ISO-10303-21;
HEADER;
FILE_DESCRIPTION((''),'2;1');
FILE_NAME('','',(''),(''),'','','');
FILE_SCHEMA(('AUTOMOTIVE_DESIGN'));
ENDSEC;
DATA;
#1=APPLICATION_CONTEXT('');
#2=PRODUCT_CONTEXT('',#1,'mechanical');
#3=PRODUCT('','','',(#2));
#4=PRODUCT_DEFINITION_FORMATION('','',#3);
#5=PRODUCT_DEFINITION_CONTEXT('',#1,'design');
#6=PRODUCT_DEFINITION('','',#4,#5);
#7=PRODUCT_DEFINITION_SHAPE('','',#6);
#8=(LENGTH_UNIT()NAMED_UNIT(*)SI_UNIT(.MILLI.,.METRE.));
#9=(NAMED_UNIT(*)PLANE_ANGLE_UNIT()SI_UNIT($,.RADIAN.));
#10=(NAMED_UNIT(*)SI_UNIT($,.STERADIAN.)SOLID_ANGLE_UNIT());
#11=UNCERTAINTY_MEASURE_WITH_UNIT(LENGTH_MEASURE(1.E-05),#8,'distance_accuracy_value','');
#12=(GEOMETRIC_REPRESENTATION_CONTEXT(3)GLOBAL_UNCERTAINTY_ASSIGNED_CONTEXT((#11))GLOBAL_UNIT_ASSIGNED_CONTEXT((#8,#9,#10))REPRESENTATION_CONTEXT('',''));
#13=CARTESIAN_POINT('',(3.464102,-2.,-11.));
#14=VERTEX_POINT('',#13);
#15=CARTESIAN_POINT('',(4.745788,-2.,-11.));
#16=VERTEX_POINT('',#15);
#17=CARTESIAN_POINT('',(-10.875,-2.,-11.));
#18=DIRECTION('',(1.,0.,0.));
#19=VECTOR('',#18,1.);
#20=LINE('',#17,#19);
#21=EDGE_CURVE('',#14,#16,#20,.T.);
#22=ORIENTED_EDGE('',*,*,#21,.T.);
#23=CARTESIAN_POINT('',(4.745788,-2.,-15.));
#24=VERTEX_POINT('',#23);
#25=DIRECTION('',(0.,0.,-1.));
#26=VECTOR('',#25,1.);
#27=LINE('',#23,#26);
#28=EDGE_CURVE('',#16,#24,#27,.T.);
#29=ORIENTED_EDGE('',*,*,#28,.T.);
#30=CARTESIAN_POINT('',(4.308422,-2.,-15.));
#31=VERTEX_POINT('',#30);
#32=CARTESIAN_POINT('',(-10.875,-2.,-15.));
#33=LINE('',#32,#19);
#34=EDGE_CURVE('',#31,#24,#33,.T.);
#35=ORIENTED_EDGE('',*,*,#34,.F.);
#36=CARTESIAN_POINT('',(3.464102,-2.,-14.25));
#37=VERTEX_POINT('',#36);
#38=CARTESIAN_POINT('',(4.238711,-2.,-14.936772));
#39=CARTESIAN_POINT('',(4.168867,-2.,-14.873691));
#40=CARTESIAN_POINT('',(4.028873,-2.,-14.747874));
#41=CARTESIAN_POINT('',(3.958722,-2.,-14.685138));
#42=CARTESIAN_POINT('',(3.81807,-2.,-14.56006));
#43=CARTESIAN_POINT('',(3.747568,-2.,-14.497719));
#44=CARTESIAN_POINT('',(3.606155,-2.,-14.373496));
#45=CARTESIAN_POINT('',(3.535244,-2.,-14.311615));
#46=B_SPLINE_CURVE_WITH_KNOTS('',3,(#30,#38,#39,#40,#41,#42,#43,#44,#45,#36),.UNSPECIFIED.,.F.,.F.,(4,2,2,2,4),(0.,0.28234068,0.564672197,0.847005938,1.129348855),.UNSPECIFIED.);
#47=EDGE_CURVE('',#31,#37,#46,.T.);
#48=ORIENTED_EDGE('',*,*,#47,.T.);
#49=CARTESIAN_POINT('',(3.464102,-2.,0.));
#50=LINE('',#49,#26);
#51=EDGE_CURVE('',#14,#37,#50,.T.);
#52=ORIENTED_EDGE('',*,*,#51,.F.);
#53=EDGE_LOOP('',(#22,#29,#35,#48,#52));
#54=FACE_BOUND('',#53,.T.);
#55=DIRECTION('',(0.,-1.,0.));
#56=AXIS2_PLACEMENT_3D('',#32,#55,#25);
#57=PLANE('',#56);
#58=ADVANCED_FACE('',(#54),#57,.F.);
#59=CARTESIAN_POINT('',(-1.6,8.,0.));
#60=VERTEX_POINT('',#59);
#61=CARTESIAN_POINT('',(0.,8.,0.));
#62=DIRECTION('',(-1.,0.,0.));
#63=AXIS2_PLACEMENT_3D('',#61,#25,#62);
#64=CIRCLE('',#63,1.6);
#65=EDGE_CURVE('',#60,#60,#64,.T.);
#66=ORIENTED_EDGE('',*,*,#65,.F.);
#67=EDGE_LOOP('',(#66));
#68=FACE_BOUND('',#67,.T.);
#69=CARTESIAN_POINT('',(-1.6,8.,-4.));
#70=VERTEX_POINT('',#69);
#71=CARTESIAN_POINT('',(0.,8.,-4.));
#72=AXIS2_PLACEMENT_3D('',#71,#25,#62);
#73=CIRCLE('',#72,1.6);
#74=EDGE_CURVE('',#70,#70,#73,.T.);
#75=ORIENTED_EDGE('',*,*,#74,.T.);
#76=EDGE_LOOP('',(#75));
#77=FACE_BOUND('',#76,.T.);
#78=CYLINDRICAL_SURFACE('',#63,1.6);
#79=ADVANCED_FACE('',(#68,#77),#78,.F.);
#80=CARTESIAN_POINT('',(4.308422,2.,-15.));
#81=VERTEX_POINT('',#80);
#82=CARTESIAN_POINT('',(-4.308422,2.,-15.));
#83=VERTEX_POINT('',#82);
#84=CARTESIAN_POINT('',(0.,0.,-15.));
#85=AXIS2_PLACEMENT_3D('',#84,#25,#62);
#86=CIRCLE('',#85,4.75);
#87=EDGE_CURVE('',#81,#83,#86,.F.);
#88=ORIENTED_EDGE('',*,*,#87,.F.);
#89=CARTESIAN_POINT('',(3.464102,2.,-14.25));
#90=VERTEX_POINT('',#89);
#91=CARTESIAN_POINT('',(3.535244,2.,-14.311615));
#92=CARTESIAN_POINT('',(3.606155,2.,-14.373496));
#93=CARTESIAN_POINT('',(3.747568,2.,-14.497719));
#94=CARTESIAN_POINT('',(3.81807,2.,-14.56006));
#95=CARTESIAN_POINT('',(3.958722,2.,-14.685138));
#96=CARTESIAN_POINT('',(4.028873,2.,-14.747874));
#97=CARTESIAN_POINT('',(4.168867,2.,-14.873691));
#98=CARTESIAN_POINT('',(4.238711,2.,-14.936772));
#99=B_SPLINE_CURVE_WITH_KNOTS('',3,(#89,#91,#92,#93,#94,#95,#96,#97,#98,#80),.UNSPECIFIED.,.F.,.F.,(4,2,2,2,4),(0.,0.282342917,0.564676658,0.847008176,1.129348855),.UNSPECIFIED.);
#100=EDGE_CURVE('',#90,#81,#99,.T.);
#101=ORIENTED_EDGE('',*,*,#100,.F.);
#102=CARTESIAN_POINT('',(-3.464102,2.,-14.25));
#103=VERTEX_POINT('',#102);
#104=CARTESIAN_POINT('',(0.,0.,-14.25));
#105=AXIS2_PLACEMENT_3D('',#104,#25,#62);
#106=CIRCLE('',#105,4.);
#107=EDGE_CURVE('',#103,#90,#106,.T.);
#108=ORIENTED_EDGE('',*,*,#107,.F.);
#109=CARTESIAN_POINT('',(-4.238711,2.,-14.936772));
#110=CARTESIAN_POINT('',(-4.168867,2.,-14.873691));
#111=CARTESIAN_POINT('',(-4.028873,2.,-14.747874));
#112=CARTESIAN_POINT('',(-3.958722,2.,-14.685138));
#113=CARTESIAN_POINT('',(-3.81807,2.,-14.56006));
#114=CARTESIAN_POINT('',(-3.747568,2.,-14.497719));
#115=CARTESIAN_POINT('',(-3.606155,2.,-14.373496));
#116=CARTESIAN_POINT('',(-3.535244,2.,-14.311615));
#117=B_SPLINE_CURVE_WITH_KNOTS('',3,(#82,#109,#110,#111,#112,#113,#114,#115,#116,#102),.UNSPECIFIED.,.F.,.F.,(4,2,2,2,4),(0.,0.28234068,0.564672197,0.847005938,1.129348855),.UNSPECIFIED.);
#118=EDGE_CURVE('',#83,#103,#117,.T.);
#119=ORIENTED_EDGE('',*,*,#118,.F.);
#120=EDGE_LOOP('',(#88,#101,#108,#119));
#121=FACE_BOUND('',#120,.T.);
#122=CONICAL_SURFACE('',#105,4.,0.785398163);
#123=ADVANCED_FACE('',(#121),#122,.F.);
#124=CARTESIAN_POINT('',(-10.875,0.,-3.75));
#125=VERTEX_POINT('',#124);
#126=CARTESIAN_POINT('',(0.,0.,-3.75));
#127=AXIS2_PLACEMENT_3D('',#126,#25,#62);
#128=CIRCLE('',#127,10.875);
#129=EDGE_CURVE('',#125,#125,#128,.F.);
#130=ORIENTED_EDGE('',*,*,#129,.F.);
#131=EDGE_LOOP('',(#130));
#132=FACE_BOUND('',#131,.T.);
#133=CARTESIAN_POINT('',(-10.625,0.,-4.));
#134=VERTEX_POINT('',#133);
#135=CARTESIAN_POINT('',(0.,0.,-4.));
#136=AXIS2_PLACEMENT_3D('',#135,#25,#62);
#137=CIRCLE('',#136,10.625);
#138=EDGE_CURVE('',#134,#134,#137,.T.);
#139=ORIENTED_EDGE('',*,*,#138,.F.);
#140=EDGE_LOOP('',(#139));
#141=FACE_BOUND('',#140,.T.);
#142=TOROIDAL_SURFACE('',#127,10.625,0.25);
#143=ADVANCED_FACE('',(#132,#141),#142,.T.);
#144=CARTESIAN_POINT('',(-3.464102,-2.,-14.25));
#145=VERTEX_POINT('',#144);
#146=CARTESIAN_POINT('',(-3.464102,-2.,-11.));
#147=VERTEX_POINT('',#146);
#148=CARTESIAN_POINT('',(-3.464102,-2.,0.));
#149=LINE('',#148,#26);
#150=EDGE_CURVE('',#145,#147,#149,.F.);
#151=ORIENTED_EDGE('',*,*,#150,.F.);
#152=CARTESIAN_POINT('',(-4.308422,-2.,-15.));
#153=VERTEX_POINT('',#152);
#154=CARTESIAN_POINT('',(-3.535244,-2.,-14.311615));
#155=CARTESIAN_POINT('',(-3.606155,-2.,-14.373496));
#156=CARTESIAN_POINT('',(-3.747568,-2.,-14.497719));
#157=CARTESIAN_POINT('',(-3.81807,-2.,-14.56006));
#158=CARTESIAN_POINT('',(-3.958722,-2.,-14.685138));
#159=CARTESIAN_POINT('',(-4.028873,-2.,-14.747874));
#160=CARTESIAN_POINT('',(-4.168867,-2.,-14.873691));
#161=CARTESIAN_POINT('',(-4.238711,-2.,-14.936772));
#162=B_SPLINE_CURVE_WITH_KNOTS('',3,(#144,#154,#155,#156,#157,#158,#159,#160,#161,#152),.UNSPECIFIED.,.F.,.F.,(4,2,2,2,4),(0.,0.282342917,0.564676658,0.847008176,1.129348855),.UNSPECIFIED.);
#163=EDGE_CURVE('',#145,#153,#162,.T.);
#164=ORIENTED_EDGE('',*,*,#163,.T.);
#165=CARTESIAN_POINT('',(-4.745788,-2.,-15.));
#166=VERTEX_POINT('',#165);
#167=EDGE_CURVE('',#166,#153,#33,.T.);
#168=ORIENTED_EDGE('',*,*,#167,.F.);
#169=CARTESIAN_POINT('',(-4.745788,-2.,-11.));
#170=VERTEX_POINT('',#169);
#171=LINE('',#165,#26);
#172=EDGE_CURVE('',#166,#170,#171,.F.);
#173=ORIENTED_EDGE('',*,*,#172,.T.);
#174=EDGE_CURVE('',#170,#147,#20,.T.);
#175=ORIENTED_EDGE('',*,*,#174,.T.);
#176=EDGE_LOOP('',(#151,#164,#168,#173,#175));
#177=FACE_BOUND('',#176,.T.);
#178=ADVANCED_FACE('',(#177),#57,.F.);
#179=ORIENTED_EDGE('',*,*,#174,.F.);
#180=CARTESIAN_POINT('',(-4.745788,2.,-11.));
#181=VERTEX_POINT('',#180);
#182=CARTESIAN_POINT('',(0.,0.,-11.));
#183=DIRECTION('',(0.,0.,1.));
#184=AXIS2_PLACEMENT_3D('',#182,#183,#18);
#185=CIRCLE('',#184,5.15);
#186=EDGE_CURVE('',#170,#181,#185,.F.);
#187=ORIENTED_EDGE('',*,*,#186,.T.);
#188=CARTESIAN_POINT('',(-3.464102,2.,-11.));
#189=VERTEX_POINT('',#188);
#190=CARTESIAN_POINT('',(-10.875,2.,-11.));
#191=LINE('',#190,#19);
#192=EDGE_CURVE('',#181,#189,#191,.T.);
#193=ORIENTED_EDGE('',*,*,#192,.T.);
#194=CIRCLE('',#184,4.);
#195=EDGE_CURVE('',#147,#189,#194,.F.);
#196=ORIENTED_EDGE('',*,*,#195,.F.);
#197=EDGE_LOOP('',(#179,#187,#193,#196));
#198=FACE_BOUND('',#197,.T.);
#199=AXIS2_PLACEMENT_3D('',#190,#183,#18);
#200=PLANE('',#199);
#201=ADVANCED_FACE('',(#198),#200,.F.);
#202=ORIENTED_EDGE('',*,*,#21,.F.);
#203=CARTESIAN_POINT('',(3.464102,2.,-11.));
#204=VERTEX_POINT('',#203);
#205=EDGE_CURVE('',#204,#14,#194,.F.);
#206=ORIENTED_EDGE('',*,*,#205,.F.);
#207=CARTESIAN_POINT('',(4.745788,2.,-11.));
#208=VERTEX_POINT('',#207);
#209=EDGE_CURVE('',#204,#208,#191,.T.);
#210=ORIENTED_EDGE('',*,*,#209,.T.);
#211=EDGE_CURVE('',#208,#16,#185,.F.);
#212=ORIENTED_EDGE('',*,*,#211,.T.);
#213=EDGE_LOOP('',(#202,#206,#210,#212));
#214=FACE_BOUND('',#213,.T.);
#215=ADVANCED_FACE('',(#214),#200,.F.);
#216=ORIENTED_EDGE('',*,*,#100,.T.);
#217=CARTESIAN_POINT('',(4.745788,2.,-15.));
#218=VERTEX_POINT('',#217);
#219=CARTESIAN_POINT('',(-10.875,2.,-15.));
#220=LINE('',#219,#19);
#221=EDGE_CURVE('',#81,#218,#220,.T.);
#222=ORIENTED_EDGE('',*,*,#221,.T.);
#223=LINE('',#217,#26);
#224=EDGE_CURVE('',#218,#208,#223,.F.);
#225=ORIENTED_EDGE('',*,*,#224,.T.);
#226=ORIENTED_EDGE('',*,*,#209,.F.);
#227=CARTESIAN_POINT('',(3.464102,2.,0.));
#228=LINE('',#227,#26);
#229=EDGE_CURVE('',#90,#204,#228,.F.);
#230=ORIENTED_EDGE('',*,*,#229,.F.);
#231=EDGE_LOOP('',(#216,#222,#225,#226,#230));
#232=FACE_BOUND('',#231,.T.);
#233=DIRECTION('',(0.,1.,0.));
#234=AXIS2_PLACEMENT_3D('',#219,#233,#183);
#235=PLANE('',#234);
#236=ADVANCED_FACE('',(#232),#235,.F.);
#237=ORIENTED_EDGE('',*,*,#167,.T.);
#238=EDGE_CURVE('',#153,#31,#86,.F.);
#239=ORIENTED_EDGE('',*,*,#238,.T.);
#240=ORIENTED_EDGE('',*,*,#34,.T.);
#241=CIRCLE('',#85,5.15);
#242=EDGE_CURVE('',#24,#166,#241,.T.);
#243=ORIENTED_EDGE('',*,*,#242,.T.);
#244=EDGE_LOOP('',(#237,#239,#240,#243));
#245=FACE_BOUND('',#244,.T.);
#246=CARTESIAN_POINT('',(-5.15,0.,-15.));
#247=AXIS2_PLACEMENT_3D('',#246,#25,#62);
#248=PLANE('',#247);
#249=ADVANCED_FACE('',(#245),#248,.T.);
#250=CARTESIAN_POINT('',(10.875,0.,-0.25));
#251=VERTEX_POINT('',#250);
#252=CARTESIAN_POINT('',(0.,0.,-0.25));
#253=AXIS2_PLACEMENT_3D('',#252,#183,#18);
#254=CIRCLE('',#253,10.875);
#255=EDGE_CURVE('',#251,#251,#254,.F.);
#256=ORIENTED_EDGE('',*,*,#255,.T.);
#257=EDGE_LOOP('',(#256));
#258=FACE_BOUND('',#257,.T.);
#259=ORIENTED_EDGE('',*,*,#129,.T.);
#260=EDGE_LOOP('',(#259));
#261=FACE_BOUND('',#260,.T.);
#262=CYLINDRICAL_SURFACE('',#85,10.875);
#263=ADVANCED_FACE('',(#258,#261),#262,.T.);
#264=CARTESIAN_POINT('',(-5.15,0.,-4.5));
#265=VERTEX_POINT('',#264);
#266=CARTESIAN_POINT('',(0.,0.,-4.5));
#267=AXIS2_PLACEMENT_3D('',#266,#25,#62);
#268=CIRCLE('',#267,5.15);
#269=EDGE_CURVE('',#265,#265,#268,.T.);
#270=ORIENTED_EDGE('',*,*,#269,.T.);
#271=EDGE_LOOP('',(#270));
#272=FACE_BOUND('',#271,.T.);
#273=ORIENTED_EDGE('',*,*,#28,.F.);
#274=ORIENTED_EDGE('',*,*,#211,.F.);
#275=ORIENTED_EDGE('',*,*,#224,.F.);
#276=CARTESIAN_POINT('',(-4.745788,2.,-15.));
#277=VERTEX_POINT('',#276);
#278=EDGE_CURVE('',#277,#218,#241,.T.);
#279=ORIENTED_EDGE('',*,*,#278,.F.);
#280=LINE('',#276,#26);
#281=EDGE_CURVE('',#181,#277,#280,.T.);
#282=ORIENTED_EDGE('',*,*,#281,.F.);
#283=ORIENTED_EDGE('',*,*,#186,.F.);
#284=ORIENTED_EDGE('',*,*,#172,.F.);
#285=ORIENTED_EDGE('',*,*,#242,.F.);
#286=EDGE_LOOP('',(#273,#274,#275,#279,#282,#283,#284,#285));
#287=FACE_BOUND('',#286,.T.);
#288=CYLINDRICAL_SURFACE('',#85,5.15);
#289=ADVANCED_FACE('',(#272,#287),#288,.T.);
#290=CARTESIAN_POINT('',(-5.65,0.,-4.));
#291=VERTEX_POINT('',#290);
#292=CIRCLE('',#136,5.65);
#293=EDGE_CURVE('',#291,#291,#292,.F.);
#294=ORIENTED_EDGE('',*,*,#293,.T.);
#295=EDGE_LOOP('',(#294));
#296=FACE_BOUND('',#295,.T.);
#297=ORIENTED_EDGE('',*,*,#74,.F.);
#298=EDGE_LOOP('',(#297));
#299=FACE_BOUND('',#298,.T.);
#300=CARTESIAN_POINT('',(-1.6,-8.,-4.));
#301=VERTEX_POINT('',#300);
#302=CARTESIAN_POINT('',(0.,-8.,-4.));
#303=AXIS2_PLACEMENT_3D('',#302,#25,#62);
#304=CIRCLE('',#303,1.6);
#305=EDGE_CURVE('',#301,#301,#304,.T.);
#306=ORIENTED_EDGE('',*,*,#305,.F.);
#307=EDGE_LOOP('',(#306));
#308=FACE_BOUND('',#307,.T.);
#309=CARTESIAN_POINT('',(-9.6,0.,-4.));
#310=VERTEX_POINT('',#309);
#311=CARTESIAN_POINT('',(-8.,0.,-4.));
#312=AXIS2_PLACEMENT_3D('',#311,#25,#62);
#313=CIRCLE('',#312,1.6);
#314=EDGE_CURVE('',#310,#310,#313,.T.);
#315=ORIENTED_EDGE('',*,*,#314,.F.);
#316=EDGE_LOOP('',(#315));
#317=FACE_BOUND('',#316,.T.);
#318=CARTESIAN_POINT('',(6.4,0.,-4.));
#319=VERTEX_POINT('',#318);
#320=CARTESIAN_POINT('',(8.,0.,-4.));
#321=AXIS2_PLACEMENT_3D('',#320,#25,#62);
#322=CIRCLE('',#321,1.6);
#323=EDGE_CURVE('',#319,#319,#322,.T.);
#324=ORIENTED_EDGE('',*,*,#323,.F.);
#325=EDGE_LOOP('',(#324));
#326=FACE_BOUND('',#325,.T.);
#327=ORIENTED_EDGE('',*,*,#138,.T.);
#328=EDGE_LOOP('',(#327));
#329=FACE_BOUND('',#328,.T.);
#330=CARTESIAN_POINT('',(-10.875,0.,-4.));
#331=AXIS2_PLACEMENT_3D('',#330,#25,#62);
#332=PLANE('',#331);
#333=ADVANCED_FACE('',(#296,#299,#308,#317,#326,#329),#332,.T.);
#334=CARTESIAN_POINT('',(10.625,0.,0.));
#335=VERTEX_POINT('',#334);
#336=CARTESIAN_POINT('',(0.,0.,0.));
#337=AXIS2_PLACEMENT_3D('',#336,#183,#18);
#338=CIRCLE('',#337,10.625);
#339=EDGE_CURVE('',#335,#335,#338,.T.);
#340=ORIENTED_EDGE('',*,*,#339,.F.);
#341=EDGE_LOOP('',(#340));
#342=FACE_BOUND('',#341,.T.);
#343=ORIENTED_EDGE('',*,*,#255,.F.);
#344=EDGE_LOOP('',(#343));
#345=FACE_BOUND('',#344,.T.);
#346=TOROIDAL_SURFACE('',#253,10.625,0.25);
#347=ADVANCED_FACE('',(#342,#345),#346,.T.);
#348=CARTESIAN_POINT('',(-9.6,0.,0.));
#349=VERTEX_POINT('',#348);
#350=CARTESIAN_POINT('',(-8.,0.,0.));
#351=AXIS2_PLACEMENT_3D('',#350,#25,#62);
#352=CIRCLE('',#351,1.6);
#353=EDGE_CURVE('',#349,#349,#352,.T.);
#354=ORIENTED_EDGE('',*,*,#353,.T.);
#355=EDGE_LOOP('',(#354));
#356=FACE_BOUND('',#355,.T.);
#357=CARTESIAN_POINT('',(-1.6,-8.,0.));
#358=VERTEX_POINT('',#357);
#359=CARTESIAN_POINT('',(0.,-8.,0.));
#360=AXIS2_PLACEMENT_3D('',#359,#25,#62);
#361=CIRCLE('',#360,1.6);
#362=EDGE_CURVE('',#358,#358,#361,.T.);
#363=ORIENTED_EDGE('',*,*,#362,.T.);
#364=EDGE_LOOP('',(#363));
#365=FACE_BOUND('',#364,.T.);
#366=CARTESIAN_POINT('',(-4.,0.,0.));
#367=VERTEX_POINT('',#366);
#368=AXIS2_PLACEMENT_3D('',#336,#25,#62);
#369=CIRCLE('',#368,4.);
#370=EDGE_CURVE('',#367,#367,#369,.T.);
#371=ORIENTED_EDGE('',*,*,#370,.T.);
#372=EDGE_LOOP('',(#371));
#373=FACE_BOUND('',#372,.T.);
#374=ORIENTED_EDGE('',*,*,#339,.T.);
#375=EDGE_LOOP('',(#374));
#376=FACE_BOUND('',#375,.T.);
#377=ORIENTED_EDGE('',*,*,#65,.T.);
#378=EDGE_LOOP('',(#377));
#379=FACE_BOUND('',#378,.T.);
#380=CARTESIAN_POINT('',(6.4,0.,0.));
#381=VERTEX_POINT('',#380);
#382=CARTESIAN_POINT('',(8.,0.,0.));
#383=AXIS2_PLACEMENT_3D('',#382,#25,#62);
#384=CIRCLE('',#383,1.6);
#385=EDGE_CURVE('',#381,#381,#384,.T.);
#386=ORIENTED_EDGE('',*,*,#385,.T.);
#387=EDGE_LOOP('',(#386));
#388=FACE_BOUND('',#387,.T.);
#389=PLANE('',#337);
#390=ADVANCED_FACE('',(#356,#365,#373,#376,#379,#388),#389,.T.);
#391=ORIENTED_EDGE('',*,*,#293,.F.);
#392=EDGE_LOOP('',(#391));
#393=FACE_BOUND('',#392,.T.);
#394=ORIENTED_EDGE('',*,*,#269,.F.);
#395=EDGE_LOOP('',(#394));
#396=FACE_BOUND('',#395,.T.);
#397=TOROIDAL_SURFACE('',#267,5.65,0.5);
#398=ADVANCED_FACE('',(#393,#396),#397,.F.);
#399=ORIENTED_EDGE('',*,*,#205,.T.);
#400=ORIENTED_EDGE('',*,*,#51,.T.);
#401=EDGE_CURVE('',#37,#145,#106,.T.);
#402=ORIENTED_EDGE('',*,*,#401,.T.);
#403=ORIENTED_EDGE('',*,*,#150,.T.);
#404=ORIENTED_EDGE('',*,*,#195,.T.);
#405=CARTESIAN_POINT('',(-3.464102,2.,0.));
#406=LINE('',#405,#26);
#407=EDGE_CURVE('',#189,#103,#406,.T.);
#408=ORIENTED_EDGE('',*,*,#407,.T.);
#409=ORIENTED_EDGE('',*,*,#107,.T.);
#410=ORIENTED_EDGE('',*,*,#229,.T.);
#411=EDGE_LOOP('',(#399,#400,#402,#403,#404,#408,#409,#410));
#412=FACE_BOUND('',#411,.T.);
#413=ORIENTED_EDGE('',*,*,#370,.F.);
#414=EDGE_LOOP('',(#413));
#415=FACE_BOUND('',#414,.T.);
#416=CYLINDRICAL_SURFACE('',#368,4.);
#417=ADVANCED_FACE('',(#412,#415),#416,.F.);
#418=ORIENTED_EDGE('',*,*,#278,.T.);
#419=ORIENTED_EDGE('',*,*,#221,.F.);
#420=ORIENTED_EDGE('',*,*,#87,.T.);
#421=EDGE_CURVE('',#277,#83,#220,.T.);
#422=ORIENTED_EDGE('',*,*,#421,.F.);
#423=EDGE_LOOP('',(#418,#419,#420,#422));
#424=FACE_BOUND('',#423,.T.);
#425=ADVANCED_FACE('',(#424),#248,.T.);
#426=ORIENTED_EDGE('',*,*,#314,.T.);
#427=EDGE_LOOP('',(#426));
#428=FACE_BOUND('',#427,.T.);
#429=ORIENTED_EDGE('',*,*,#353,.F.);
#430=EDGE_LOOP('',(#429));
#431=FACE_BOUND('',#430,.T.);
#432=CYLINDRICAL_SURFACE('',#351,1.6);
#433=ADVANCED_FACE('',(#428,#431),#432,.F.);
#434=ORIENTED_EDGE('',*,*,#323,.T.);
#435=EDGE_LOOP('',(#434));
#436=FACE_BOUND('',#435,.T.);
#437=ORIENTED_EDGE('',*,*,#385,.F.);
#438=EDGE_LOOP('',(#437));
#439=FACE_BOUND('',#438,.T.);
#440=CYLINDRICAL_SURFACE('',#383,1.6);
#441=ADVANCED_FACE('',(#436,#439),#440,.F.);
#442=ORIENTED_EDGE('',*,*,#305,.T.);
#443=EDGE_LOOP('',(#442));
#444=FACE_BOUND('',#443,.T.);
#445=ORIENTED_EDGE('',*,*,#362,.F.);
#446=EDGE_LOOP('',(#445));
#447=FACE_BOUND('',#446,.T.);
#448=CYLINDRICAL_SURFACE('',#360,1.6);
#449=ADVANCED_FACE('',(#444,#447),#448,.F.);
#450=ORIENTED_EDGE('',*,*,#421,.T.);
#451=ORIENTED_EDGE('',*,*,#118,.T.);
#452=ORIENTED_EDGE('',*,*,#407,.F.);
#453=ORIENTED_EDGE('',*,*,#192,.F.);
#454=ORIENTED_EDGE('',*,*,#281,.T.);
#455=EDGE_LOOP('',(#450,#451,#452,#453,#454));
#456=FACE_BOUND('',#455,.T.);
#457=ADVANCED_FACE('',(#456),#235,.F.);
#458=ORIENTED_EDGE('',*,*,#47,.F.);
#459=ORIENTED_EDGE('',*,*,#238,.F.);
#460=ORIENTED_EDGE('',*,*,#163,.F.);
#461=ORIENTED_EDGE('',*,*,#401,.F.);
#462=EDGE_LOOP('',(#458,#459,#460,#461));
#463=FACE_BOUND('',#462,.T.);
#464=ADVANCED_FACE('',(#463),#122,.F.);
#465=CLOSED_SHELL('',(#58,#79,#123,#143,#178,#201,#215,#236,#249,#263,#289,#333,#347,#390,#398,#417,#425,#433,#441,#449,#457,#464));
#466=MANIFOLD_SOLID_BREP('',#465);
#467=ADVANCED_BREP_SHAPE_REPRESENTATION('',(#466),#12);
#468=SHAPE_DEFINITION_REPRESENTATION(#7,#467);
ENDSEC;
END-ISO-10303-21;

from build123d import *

# Parameters (mm, degrees)
SKETCH2_R          = 4
CUT_EXTRUDE1_DEPTH = 22.483278381
SKETCH3_R          = 1.6
CUT_EXTRUDE2_DEPTH = 19.908496767
SKETCH4_W          = 4
SKETCH4_H          = 4
CUT_EXTRUDE3_DEPTH = 25.496249713
CHAMFER1_SIZE      = 0.75
CHAMFER2_SIZE      = 0.75
FILLET1_R          = 0.5
FILLET2_R          = 0.25


with BuildPart() as part:
    # Sketch1 → Revolve1 (revolve)
    with BuildSketch(Plane(origin=(0, 0, 0), x_dir=(1, 0, 0), z_dir=(0, 1, 0))):
        Polygon((0, 0), (-10.875, 0), (-10.875, 4), (-5.15, 4), (-5.15, 15), (0, 15), align=None)
    revolve(axis=Axis((0, 0, -15), (0, 0, 1)))

    # Sketch2 → Cut-Extrude1 (cut, through all)
    with BuildSketch(Plane(origin=(0, 0, -15), x_dir=(-1, 0, 0), z_dir=(0, 0, -1))):
        Circle(SKETCH2_R)
    extrude(amount=-CUT_EXTRUDE1_DEPTH, mode=Mode.SUBTRACT)

    # Sketch3 → Cut-Extrude2 (cut, through all)
    with BuildSketch(Plane(origin=(0, 0, -4), x_dir=(-1, 0, 0), z_dir=(0, 0, -1))):
        with Locations((0, 8)):
            Circle(SKETCH3_R)
        with Locations((8, 0)):
            Circle(SKETCH3_R)
        with Locations((0, -8)):
            Circle(SKETCH3_R)
        with Locations((-8, 0)):
            Circle(SKETCH3_R)
    extrude(amount=-CUT_EXTRUDE2_DEPTH, mode=Mode.SUBTRACT)

    # Sketch4 → Cut-Extrude3 (cut, through all)
    with BuildSketch(Plane(origin=(5.15, 0, 0), x_dir=(0, 0, -1), z_dir=(1, 0, 0))):
        with Locations((13, 0)):
            Rectangle(SKETCH4_W, SKETCH4_H)
    extrude(amount=-CUT_EXTRUDE3_DEPTH, mode=Mode.SUBTRACT)

    # Chamfer1
    chamfer1_edges = [part.edges().sort_by_distance(p)[0] for p in [
        (0, 4, -15),
    ]]
    chamfer(chamfer1_edges, length=CHAMFER1_SIZE)

    # Chamfer2
    chamfer2_edges = [part.edges().sort_by_distance(p)[0] for p in [
        (0, -4, -15),
    ]]
    chamfer(chamfer2_edges, length=CHAMFER2_SIZE)

    # Fillet1
    fillet1_edges = [part.edges().sort_by_distance(p)[0] for p in [
        (5.15, 0, -4),
    ]]
    fillet(fillet1_edges, radius=FILLET1_R)

    # Fillet2
    fillet2_edges = [part.edges().sort_by_distance(p)[0] for p in [
        (10.875, 0, -4),
        (10.875, 0, 0),
    ]]
    fillet(fillet2_edges, radius=FILLET2_R)


solid = part.part
